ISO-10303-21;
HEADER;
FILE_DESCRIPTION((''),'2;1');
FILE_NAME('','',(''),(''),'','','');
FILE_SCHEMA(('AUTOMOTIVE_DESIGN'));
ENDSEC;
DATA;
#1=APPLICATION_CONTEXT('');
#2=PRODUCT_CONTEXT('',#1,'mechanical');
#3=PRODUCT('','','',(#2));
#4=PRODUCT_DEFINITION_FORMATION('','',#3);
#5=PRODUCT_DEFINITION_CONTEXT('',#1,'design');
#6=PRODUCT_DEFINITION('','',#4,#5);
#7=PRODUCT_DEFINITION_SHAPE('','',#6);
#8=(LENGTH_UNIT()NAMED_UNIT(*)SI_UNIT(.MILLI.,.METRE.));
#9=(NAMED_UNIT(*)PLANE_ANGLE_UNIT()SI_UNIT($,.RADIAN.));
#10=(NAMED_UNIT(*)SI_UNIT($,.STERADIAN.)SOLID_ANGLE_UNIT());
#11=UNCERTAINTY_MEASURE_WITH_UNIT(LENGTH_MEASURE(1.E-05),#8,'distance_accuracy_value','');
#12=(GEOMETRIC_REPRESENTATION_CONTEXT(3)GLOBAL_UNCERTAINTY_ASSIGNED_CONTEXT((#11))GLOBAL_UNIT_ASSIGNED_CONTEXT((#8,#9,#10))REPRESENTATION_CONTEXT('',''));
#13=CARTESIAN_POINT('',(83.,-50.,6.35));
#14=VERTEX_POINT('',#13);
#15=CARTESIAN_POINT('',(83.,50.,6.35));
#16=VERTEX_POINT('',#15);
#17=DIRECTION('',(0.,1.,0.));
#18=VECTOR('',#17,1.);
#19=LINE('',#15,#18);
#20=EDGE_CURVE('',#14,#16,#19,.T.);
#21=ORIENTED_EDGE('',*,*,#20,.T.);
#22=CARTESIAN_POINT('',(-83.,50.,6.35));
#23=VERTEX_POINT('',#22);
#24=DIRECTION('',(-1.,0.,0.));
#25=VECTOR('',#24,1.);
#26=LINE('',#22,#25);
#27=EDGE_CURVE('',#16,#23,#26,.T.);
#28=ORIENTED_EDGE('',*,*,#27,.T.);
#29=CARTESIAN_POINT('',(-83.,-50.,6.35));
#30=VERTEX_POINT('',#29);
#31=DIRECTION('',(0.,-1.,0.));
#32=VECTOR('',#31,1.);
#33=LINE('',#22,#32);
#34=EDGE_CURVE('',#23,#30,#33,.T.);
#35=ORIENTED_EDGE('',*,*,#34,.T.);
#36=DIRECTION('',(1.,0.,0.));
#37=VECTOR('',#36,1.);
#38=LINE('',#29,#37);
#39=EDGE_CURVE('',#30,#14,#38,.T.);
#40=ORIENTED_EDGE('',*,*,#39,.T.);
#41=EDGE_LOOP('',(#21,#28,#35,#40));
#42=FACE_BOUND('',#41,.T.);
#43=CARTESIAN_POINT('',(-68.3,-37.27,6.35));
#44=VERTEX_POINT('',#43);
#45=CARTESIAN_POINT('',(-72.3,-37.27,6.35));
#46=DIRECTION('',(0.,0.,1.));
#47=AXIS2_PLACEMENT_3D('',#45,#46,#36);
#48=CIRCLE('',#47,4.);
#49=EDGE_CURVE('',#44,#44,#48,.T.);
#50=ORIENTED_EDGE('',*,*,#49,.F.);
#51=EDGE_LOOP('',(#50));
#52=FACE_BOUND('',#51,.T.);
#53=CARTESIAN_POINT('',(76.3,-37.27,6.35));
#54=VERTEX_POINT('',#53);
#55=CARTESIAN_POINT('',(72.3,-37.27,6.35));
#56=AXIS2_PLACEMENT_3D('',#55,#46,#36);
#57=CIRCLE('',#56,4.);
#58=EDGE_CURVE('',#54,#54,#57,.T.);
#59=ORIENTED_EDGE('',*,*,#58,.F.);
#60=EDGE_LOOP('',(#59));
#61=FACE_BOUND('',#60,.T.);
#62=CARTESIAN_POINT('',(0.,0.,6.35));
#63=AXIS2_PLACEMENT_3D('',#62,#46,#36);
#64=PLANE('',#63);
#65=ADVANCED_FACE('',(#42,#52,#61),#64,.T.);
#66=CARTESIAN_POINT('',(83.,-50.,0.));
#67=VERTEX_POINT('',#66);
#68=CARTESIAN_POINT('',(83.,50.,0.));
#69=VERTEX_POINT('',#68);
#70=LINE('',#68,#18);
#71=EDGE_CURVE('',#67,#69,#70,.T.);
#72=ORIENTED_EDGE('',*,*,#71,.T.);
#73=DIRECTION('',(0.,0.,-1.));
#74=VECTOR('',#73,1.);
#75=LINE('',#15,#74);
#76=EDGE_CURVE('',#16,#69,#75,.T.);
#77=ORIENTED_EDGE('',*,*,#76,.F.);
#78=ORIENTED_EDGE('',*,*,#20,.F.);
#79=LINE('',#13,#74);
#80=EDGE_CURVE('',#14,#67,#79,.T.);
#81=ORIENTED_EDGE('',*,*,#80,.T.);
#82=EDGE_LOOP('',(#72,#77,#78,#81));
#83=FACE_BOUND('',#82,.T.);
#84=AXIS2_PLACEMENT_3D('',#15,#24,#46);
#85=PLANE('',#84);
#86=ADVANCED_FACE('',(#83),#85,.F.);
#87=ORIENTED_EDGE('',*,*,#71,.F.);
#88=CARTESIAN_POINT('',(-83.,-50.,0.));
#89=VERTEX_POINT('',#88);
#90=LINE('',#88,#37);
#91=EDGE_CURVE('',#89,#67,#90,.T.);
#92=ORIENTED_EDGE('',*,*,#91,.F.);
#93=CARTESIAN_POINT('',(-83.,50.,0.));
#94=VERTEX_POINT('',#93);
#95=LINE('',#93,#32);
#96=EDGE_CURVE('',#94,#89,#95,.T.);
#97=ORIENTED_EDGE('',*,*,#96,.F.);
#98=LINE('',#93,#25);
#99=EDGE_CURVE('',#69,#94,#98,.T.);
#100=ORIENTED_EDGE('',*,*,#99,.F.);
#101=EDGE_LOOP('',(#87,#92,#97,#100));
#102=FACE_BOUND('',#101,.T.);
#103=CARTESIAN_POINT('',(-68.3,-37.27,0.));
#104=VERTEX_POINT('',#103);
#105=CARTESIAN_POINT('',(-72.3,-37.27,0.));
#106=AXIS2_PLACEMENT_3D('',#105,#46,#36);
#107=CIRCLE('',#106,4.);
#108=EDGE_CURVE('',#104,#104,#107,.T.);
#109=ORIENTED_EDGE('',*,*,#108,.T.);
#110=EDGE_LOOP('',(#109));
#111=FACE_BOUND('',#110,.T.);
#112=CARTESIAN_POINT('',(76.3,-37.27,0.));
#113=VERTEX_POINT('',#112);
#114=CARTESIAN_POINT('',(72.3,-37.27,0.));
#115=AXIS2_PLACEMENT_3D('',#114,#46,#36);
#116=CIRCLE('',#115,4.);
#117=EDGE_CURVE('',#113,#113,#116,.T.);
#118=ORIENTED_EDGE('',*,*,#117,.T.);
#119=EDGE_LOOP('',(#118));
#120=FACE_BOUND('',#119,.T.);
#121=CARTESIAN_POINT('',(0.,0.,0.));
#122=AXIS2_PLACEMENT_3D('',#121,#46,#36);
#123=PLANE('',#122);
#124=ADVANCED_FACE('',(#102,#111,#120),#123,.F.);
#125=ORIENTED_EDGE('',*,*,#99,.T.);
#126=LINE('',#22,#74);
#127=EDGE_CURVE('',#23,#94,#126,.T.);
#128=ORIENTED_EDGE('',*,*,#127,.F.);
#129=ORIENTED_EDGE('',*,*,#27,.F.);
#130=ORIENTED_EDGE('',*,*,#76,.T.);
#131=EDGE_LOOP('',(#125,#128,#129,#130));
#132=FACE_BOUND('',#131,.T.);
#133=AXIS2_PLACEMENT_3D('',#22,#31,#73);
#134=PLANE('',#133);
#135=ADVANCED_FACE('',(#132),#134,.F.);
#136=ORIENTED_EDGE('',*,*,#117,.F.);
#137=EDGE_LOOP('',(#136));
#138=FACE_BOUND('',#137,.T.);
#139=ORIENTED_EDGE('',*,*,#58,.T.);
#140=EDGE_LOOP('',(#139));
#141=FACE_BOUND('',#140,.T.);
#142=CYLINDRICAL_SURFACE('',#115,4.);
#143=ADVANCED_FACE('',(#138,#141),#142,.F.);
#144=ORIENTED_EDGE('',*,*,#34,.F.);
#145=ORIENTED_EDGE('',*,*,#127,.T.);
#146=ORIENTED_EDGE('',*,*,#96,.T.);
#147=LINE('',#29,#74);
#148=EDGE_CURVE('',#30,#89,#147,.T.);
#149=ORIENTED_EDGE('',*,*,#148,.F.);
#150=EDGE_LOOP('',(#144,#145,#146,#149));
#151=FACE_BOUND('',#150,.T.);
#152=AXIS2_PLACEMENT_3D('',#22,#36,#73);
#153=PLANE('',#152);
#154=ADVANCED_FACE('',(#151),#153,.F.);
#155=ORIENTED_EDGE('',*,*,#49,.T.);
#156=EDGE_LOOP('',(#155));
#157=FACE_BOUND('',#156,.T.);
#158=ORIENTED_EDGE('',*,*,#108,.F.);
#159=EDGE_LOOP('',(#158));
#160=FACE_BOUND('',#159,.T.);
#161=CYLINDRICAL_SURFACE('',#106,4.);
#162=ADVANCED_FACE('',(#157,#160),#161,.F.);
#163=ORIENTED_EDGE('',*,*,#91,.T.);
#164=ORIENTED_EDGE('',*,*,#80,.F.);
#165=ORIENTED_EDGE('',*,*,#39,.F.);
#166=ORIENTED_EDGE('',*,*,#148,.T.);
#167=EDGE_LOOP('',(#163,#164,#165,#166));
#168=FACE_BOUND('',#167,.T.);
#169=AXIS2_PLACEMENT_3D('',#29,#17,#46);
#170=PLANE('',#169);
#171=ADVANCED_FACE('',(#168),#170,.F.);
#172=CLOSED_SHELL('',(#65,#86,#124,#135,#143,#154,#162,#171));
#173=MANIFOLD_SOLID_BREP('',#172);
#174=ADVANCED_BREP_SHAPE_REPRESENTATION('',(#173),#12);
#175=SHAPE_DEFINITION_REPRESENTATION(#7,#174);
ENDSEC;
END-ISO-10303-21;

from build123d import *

# Parameters (mm, degrees)
SKETCH1_W           = 166
SKETCH1_H           = 100
BOSS_EXTRUDE1_DEPTH = 6.35
SKETCH2_R           = 4
CUT_EXTRUDE1_DEPTH  = 6.35


with BuildPart() as part:
    # Sketch1 → Boss-Extrude1 (new body)
    with BuildSketch(Plane.XY):
        Rectangle(SKETCH1_W, SKETCH1_H)
    extrude(amount=BOSS_EXTRUDE1_DEPTH)

    # Sketch2 → Cut-Extrude1 (cut)
    with BuildSketch(Plane.XY.offset(6.35)):
        with Locations((-72.3, -37.27)):
            Circle(SKETCH2_R)
        with Locations((72.3, -37.27)):
            Circle(SKETCH2_R)
    extrude(amount=-CUT_EXTRUDE1_DEPTH, mode=Mode.SUBTRACT)


solid = part.part
